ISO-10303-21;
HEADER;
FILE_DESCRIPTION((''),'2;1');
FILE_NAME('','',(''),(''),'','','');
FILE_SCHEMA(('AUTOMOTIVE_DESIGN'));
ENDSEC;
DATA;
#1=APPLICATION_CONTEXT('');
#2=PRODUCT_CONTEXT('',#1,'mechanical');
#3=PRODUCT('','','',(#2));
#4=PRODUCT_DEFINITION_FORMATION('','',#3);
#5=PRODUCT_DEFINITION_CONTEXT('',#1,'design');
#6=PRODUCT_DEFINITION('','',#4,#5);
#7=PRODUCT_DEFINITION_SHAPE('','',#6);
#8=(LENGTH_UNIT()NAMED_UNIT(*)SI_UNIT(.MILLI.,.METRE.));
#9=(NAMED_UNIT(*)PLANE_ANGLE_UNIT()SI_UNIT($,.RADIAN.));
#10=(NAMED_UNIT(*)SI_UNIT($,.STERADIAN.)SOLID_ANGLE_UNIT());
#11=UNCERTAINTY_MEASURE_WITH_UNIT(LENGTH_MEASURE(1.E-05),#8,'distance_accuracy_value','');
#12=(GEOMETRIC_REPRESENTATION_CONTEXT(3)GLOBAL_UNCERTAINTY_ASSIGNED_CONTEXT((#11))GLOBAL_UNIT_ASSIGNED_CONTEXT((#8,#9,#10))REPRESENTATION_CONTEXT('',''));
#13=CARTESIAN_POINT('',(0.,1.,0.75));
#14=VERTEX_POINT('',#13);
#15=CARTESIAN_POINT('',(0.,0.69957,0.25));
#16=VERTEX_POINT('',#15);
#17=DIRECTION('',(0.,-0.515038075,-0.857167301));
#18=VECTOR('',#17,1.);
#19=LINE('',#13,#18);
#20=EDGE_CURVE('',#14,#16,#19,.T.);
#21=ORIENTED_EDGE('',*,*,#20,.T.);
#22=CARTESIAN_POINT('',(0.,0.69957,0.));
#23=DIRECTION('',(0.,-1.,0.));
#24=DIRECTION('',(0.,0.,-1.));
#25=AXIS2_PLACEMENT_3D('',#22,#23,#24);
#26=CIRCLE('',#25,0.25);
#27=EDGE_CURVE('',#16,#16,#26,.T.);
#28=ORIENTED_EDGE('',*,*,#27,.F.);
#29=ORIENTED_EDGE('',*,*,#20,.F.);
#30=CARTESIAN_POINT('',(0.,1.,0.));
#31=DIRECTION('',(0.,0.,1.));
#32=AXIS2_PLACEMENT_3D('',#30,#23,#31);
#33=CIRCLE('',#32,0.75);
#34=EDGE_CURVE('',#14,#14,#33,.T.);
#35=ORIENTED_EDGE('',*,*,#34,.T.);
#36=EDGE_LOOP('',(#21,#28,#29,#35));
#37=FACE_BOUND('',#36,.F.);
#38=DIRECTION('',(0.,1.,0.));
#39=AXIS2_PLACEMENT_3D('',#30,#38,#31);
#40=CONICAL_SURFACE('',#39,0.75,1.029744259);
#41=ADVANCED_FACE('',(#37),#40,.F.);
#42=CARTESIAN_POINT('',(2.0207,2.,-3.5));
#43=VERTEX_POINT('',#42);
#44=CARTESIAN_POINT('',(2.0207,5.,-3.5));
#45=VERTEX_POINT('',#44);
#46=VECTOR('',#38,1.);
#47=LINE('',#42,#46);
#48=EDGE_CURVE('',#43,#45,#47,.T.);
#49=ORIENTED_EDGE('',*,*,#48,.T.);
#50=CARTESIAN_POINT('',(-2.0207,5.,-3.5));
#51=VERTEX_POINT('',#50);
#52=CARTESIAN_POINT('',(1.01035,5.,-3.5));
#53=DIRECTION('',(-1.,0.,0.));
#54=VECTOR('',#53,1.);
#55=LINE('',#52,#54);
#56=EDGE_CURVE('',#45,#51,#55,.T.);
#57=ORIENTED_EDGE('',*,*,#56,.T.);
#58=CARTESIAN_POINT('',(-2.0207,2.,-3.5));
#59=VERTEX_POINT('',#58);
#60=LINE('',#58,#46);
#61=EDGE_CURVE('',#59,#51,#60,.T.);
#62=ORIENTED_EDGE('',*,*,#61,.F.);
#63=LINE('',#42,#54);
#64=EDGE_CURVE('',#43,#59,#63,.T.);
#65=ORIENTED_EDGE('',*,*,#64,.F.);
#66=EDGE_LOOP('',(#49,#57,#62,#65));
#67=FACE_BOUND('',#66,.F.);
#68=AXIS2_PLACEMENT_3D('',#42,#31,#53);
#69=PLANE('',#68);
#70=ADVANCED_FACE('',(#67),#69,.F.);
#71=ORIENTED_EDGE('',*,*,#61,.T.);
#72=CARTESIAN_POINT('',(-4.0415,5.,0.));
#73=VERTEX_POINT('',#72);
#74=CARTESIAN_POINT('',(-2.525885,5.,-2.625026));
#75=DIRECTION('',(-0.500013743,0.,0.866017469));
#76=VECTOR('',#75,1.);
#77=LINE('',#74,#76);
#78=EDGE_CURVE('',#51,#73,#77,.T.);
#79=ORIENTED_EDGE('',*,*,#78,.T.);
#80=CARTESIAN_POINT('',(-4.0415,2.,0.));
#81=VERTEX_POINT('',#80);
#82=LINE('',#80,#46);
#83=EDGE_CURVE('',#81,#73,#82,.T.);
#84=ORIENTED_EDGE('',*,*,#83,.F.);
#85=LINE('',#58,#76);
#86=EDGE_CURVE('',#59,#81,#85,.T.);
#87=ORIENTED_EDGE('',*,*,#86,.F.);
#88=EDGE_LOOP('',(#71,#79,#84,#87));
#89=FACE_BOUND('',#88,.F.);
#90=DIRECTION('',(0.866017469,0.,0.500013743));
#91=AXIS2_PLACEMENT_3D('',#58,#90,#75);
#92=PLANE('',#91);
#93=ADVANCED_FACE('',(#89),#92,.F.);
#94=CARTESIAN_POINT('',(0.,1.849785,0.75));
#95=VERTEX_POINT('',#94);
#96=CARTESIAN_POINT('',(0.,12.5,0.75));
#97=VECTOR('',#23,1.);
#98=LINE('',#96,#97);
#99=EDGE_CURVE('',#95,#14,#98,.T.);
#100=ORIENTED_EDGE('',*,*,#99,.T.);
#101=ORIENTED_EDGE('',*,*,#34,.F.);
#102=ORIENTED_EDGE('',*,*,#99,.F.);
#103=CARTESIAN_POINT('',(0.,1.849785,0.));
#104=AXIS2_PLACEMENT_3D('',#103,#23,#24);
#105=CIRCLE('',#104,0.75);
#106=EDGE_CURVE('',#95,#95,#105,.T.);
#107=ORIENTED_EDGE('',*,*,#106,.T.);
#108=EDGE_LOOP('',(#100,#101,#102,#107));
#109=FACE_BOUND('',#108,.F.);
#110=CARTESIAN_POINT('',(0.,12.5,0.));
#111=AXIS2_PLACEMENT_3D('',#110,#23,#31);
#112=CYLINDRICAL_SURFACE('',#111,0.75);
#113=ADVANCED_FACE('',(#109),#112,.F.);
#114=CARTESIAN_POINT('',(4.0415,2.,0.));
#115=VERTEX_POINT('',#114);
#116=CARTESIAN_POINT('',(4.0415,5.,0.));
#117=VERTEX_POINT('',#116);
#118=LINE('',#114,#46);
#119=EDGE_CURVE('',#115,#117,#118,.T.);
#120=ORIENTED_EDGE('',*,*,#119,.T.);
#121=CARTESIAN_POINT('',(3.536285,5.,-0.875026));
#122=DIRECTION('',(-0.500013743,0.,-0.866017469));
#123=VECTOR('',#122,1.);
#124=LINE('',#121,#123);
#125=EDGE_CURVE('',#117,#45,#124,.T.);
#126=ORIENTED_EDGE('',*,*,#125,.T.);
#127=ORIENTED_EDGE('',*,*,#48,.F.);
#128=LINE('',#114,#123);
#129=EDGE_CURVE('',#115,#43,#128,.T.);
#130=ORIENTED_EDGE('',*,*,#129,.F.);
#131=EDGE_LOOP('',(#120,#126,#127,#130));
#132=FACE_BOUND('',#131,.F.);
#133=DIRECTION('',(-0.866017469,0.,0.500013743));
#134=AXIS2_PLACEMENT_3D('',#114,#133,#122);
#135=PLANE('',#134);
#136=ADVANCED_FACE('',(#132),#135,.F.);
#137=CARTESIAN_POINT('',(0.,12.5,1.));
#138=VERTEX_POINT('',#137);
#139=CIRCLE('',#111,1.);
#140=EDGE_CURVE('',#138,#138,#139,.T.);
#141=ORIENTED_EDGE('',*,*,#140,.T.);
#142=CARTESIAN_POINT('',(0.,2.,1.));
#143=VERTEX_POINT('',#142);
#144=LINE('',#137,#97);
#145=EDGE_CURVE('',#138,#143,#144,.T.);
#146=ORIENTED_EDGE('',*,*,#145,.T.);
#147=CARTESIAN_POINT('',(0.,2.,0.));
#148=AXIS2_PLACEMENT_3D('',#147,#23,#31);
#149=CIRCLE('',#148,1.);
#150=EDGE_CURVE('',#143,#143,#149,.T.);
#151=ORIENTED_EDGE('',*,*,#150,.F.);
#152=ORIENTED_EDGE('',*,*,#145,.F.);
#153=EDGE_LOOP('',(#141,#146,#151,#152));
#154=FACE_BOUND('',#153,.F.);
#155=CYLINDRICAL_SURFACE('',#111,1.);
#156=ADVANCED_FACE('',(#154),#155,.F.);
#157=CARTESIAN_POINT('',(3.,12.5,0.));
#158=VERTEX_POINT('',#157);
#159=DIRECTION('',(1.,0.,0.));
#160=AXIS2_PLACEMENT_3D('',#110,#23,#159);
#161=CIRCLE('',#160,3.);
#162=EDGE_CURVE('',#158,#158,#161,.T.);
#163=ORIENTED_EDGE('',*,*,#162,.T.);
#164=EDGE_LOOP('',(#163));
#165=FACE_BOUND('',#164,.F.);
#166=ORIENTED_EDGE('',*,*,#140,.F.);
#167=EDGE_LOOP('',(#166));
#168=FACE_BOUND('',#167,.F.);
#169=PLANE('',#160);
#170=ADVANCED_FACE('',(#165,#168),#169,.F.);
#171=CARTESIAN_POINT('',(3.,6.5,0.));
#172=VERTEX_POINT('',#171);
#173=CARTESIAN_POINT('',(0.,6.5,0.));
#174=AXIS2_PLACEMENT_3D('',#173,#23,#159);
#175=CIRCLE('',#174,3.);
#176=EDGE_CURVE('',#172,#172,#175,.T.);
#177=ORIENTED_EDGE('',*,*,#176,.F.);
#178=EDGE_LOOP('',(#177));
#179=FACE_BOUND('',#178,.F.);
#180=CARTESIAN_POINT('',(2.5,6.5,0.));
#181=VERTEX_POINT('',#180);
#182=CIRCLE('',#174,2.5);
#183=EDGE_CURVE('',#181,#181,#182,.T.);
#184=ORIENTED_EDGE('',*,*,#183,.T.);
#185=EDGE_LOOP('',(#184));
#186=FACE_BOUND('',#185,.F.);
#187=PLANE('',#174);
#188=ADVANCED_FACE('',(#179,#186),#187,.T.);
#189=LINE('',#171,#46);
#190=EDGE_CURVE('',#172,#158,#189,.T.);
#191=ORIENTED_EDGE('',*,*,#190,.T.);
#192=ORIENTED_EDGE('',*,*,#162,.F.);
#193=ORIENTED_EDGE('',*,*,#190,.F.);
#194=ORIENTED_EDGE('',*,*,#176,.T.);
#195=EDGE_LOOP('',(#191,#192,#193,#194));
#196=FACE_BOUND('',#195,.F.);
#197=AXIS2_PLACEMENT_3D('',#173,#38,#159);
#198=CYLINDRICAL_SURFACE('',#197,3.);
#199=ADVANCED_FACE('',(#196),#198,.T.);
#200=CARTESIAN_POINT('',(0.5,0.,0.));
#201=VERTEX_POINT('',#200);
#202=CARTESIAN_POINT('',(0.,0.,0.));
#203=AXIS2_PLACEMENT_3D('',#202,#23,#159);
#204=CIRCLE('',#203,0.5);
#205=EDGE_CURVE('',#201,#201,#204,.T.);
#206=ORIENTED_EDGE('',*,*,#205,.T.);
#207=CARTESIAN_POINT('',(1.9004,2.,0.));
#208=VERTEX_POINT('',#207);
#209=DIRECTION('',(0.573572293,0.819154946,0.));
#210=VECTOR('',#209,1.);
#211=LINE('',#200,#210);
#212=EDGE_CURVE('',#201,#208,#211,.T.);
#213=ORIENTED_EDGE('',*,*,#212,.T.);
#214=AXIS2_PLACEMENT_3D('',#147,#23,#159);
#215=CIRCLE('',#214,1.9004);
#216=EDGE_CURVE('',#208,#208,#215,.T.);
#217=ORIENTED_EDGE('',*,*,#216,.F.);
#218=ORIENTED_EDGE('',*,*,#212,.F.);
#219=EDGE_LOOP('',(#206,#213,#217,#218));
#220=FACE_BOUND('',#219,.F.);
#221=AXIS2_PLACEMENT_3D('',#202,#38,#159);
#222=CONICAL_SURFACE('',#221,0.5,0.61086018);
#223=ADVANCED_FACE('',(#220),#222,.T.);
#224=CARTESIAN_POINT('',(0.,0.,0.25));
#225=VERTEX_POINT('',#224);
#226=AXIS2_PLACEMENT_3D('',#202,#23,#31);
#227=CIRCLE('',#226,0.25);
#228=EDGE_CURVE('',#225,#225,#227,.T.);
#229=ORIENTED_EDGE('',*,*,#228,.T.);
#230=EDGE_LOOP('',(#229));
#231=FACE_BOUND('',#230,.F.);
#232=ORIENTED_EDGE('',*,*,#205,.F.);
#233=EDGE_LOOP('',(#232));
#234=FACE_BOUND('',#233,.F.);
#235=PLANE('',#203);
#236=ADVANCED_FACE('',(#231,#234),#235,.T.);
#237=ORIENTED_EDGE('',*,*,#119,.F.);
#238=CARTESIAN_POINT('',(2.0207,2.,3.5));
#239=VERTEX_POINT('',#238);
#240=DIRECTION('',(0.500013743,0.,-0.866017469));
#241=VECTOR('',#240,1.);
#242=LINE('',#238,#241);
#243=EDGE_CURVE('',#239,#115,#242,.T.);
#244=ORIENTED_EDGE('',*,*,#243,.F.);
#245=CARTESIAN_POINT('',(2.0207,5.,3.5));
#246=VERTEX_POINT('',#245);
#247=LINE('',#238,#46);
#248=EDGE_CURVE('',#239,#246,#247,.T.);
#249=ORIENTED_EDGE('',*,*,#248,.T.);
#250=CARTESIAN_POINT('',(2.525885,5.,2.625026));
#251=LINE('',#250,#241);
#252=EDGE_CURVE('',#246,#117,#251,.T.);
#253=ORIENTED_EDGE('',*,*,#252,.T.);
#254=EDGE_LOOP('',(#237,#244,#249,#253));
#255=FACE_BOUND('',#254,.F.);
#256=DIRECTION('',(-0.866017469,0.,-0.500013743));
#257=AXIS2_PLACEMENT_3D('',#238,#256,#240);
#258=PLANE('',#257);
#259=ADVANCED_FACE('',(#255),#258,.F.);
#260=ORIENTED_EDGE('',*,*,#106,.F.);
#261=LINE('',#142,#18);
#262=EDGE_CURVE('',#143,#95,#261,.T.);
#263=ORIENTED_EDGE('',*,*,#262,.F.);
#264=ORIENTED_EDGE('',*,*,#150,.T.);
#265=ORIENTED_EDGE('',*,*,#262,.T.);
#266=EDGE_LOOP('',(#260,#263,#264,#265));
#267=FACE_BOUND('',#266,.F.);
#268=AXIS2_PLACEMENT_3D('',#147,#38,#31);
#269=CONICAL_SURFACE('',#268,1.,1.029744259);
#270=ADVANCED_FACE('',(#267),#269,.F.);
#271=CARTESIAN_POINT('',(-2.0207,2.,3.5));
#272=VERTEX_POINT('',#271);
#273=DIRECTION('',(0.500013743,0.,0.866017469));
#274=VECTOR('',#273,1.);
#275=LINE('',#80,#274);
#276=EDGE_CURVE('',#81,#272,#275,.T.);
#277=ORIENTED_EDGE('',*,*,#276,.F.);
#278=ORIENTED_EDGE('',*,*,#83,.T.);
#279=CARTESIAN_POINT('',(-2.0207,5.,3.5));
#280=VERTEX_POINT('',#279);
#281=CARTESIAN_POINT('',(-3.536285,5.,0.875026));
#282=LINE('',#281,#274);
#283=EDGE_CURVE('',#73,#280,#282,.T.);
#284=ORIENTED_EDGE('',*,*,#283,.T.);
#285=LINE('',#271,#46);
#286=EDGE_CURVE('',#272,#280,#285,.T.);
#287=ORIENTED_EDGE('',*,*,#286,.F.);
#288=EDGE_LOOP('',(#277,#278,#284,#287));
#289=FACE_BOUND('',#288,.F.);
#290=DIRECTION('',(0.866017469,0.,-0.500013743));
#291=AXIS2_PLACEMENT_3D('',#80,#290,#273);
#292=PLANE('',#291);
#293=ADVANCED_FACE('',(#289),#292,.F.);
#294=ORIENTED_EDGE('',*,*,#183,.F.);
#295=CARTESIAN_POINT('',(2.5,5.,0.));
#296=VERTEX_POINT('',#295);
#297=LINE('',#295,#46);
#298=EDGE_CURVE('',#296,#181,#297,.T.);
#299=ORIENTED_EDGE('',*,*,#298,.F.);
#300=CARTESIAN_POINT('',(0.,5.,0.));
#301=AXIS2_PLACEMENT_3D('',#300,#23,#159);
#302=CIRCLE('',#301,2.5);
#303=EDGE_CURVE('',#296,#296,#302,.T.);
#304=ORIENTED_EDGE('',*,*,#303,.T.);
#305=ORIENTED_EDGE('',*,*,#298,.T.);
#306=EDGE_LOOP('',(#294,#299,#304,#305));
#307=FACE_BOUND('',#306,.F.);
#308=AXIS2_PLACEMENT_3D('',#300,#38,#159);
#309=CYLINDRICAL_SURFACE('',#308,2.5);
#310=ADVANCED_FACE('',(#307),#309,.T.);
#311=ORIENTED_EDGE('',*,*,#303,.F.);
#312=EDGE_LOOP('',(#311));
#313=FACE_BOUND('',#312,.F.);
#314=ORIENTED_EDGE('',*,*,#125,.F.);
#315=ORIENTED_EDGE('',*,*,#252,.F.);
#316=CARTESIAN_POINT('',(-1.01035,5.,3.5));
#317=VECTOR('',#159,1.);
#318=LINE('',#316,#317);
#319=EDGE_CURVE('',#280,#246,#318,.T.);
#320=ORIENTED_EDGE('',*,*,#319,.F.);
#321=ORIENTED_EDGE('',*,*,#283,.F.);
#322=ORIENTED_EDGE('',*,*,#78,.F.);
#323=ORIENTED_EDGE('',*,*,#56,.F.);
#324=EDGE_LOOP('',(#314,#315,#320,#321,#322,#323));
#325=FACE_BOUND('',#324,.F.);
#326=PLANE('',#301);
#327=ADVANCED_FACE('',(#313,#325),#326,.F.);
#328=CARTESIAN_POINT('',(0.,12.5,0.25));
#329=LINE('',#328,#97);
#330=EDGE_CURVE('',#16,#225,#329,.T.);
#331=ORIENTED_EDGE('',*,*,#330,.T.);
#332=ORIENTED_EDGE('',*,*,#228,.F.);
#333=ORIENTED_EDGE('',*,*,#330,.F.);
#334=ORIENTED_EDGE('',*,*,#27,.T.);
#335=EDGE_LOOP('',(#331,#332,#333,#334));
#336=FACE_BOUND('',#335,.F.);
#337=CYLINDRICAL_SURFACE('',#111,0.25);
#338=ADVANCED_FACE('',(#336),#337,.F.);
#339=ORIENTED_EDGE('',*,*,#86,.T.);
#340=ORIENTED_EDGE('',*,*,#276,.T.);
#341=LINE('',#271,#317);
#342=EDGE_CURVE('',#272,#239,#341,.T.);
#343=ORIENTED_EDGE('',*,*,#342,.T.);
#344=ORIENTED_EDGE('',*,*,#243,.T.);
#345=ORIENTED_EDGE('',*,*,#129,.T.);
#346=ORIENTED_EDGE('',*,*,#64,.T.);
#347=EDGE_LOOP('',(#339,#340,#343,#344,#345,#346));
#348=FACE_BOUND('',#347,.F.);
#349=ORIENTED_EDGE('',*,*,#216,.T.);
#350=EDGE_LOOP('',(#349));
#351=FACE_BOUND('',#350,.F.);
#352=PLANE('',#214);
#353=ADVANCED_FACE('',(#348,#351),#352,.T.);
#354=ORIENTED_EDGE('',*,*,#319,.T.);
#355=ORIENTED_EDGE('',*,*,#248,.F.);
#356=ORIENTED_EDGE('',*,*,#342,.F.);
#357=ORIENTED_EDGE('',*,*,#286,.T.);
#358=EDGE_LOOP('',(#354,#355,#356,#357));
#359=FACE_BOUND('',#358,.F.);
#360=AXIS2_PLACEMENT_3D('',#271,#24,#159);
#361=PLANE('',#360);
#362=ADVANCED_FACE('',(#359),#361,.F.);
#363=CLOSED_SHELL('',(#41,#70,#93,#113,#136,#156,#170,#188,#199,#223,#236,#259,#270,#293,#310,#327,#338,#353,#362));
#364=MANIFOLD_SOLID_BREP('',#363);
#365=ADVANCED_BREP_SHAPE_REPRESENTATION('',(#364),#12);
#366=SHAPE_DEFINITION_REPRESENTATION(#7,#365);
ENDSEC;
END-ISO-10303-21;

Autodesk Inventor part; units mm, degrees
ref_plane "YZ Plane" through (0, 0, 0) normal (1, 0, 0) x (0, 1, 0)
ref_plane "XZ Plane" through (0, 0, 0) normal (0, 1, 0) x (-1, 0, 0)
ref_plane "XY Plane" through (0, 0, 0) normal (0, 0, 1) x (1, 0, 0)
sketch "Sketch1" plane through (0, 0, 0) normal (0, 0, 1) x (1, 0, 0)
  line L0 (0, 0) -> (0.5, 0)
  line L1 (0.5, 0) -> (1.9004, 2)
  line L2 (1.9004, 2) -> (7, 2)
  line L3 (7, 2) -> (7, 5)
  line L4 (7, 5) -> (2.5, 5)
  line L5 (2.5, 5) -> (2.5, 6.5)
  line L6 (2.5, 6.5) -> (3, 6.5)
  line L7 (3, 6.5) -> (3, 12.5)
  line L8 (3, 12.5) -> (0, 12.5)
  line L9 (0, 12.5) -> (0, 0)
  dimension "d0" = 0.5
  dimension "d1" = 125
  dimension "d2" = 6
  dimension "d3" = 7.5
  dimension "d4" = 10.5
  dimension "d5" = 12.5
  dimension "d6" = 3
  dimension "d7" = 2.5
  dimension "d8" = 7
revolve "Revolution1" add sketch "Sketch1" angle 360 about axis through (0, 12.5, 0) along (0, -1, 0)
sketch "Sketch2" plane through (0, 2, 0) normal (0, -1, 0) x (1, 0, 0)
  circle A0 centre (0, 0) radius 2.5 projected
  circle A1 centre (0, 0) radius 7 projected
  circle A2 centre (0, 0) radius 0.5 projected
  line L0 (2.0207, 3.5) -> (4.0415, 0)
  line L1 (4.0415, 0) -> (2.0207, -3.5)
  line L2 (2.0207, -3.5) -> (-2.0207, -3.5)
  line L3 (-2.0207, -3.5) -> (-4.0415, 0)
  line L4 (-4.0415, 0) -> (-2.0207, 3.5)
  line L5 (-2.0207, 3.5) -> (2.0207, 3.5)
  point P0 (0, 0)
  dimension "d10" = 7
  dimension "d11" = 3.5
extrude "Extrusion1" cut sketch "Sketch2" against normal blind 10 contours A1
thread "Thread1" size "M6x1" class "6g" standard "ANSI Metric M Profile" full length
hole "Hole1" at (0, 12.5, 0) direction (0, -1, 0) diameter 2 depth 10.5 tip angle 118
hole "Hole2" at (0, 12.5, 0) direction (0, -1, 0) diameter 0.5 end through all
hole "Hole3" at (0, 12.5, 0) direction (0, -1, 0) diameter 1.5 depth 11.5 tip angle 118
properties part number "Nozzle" material "Brass, Soft Yellow"
